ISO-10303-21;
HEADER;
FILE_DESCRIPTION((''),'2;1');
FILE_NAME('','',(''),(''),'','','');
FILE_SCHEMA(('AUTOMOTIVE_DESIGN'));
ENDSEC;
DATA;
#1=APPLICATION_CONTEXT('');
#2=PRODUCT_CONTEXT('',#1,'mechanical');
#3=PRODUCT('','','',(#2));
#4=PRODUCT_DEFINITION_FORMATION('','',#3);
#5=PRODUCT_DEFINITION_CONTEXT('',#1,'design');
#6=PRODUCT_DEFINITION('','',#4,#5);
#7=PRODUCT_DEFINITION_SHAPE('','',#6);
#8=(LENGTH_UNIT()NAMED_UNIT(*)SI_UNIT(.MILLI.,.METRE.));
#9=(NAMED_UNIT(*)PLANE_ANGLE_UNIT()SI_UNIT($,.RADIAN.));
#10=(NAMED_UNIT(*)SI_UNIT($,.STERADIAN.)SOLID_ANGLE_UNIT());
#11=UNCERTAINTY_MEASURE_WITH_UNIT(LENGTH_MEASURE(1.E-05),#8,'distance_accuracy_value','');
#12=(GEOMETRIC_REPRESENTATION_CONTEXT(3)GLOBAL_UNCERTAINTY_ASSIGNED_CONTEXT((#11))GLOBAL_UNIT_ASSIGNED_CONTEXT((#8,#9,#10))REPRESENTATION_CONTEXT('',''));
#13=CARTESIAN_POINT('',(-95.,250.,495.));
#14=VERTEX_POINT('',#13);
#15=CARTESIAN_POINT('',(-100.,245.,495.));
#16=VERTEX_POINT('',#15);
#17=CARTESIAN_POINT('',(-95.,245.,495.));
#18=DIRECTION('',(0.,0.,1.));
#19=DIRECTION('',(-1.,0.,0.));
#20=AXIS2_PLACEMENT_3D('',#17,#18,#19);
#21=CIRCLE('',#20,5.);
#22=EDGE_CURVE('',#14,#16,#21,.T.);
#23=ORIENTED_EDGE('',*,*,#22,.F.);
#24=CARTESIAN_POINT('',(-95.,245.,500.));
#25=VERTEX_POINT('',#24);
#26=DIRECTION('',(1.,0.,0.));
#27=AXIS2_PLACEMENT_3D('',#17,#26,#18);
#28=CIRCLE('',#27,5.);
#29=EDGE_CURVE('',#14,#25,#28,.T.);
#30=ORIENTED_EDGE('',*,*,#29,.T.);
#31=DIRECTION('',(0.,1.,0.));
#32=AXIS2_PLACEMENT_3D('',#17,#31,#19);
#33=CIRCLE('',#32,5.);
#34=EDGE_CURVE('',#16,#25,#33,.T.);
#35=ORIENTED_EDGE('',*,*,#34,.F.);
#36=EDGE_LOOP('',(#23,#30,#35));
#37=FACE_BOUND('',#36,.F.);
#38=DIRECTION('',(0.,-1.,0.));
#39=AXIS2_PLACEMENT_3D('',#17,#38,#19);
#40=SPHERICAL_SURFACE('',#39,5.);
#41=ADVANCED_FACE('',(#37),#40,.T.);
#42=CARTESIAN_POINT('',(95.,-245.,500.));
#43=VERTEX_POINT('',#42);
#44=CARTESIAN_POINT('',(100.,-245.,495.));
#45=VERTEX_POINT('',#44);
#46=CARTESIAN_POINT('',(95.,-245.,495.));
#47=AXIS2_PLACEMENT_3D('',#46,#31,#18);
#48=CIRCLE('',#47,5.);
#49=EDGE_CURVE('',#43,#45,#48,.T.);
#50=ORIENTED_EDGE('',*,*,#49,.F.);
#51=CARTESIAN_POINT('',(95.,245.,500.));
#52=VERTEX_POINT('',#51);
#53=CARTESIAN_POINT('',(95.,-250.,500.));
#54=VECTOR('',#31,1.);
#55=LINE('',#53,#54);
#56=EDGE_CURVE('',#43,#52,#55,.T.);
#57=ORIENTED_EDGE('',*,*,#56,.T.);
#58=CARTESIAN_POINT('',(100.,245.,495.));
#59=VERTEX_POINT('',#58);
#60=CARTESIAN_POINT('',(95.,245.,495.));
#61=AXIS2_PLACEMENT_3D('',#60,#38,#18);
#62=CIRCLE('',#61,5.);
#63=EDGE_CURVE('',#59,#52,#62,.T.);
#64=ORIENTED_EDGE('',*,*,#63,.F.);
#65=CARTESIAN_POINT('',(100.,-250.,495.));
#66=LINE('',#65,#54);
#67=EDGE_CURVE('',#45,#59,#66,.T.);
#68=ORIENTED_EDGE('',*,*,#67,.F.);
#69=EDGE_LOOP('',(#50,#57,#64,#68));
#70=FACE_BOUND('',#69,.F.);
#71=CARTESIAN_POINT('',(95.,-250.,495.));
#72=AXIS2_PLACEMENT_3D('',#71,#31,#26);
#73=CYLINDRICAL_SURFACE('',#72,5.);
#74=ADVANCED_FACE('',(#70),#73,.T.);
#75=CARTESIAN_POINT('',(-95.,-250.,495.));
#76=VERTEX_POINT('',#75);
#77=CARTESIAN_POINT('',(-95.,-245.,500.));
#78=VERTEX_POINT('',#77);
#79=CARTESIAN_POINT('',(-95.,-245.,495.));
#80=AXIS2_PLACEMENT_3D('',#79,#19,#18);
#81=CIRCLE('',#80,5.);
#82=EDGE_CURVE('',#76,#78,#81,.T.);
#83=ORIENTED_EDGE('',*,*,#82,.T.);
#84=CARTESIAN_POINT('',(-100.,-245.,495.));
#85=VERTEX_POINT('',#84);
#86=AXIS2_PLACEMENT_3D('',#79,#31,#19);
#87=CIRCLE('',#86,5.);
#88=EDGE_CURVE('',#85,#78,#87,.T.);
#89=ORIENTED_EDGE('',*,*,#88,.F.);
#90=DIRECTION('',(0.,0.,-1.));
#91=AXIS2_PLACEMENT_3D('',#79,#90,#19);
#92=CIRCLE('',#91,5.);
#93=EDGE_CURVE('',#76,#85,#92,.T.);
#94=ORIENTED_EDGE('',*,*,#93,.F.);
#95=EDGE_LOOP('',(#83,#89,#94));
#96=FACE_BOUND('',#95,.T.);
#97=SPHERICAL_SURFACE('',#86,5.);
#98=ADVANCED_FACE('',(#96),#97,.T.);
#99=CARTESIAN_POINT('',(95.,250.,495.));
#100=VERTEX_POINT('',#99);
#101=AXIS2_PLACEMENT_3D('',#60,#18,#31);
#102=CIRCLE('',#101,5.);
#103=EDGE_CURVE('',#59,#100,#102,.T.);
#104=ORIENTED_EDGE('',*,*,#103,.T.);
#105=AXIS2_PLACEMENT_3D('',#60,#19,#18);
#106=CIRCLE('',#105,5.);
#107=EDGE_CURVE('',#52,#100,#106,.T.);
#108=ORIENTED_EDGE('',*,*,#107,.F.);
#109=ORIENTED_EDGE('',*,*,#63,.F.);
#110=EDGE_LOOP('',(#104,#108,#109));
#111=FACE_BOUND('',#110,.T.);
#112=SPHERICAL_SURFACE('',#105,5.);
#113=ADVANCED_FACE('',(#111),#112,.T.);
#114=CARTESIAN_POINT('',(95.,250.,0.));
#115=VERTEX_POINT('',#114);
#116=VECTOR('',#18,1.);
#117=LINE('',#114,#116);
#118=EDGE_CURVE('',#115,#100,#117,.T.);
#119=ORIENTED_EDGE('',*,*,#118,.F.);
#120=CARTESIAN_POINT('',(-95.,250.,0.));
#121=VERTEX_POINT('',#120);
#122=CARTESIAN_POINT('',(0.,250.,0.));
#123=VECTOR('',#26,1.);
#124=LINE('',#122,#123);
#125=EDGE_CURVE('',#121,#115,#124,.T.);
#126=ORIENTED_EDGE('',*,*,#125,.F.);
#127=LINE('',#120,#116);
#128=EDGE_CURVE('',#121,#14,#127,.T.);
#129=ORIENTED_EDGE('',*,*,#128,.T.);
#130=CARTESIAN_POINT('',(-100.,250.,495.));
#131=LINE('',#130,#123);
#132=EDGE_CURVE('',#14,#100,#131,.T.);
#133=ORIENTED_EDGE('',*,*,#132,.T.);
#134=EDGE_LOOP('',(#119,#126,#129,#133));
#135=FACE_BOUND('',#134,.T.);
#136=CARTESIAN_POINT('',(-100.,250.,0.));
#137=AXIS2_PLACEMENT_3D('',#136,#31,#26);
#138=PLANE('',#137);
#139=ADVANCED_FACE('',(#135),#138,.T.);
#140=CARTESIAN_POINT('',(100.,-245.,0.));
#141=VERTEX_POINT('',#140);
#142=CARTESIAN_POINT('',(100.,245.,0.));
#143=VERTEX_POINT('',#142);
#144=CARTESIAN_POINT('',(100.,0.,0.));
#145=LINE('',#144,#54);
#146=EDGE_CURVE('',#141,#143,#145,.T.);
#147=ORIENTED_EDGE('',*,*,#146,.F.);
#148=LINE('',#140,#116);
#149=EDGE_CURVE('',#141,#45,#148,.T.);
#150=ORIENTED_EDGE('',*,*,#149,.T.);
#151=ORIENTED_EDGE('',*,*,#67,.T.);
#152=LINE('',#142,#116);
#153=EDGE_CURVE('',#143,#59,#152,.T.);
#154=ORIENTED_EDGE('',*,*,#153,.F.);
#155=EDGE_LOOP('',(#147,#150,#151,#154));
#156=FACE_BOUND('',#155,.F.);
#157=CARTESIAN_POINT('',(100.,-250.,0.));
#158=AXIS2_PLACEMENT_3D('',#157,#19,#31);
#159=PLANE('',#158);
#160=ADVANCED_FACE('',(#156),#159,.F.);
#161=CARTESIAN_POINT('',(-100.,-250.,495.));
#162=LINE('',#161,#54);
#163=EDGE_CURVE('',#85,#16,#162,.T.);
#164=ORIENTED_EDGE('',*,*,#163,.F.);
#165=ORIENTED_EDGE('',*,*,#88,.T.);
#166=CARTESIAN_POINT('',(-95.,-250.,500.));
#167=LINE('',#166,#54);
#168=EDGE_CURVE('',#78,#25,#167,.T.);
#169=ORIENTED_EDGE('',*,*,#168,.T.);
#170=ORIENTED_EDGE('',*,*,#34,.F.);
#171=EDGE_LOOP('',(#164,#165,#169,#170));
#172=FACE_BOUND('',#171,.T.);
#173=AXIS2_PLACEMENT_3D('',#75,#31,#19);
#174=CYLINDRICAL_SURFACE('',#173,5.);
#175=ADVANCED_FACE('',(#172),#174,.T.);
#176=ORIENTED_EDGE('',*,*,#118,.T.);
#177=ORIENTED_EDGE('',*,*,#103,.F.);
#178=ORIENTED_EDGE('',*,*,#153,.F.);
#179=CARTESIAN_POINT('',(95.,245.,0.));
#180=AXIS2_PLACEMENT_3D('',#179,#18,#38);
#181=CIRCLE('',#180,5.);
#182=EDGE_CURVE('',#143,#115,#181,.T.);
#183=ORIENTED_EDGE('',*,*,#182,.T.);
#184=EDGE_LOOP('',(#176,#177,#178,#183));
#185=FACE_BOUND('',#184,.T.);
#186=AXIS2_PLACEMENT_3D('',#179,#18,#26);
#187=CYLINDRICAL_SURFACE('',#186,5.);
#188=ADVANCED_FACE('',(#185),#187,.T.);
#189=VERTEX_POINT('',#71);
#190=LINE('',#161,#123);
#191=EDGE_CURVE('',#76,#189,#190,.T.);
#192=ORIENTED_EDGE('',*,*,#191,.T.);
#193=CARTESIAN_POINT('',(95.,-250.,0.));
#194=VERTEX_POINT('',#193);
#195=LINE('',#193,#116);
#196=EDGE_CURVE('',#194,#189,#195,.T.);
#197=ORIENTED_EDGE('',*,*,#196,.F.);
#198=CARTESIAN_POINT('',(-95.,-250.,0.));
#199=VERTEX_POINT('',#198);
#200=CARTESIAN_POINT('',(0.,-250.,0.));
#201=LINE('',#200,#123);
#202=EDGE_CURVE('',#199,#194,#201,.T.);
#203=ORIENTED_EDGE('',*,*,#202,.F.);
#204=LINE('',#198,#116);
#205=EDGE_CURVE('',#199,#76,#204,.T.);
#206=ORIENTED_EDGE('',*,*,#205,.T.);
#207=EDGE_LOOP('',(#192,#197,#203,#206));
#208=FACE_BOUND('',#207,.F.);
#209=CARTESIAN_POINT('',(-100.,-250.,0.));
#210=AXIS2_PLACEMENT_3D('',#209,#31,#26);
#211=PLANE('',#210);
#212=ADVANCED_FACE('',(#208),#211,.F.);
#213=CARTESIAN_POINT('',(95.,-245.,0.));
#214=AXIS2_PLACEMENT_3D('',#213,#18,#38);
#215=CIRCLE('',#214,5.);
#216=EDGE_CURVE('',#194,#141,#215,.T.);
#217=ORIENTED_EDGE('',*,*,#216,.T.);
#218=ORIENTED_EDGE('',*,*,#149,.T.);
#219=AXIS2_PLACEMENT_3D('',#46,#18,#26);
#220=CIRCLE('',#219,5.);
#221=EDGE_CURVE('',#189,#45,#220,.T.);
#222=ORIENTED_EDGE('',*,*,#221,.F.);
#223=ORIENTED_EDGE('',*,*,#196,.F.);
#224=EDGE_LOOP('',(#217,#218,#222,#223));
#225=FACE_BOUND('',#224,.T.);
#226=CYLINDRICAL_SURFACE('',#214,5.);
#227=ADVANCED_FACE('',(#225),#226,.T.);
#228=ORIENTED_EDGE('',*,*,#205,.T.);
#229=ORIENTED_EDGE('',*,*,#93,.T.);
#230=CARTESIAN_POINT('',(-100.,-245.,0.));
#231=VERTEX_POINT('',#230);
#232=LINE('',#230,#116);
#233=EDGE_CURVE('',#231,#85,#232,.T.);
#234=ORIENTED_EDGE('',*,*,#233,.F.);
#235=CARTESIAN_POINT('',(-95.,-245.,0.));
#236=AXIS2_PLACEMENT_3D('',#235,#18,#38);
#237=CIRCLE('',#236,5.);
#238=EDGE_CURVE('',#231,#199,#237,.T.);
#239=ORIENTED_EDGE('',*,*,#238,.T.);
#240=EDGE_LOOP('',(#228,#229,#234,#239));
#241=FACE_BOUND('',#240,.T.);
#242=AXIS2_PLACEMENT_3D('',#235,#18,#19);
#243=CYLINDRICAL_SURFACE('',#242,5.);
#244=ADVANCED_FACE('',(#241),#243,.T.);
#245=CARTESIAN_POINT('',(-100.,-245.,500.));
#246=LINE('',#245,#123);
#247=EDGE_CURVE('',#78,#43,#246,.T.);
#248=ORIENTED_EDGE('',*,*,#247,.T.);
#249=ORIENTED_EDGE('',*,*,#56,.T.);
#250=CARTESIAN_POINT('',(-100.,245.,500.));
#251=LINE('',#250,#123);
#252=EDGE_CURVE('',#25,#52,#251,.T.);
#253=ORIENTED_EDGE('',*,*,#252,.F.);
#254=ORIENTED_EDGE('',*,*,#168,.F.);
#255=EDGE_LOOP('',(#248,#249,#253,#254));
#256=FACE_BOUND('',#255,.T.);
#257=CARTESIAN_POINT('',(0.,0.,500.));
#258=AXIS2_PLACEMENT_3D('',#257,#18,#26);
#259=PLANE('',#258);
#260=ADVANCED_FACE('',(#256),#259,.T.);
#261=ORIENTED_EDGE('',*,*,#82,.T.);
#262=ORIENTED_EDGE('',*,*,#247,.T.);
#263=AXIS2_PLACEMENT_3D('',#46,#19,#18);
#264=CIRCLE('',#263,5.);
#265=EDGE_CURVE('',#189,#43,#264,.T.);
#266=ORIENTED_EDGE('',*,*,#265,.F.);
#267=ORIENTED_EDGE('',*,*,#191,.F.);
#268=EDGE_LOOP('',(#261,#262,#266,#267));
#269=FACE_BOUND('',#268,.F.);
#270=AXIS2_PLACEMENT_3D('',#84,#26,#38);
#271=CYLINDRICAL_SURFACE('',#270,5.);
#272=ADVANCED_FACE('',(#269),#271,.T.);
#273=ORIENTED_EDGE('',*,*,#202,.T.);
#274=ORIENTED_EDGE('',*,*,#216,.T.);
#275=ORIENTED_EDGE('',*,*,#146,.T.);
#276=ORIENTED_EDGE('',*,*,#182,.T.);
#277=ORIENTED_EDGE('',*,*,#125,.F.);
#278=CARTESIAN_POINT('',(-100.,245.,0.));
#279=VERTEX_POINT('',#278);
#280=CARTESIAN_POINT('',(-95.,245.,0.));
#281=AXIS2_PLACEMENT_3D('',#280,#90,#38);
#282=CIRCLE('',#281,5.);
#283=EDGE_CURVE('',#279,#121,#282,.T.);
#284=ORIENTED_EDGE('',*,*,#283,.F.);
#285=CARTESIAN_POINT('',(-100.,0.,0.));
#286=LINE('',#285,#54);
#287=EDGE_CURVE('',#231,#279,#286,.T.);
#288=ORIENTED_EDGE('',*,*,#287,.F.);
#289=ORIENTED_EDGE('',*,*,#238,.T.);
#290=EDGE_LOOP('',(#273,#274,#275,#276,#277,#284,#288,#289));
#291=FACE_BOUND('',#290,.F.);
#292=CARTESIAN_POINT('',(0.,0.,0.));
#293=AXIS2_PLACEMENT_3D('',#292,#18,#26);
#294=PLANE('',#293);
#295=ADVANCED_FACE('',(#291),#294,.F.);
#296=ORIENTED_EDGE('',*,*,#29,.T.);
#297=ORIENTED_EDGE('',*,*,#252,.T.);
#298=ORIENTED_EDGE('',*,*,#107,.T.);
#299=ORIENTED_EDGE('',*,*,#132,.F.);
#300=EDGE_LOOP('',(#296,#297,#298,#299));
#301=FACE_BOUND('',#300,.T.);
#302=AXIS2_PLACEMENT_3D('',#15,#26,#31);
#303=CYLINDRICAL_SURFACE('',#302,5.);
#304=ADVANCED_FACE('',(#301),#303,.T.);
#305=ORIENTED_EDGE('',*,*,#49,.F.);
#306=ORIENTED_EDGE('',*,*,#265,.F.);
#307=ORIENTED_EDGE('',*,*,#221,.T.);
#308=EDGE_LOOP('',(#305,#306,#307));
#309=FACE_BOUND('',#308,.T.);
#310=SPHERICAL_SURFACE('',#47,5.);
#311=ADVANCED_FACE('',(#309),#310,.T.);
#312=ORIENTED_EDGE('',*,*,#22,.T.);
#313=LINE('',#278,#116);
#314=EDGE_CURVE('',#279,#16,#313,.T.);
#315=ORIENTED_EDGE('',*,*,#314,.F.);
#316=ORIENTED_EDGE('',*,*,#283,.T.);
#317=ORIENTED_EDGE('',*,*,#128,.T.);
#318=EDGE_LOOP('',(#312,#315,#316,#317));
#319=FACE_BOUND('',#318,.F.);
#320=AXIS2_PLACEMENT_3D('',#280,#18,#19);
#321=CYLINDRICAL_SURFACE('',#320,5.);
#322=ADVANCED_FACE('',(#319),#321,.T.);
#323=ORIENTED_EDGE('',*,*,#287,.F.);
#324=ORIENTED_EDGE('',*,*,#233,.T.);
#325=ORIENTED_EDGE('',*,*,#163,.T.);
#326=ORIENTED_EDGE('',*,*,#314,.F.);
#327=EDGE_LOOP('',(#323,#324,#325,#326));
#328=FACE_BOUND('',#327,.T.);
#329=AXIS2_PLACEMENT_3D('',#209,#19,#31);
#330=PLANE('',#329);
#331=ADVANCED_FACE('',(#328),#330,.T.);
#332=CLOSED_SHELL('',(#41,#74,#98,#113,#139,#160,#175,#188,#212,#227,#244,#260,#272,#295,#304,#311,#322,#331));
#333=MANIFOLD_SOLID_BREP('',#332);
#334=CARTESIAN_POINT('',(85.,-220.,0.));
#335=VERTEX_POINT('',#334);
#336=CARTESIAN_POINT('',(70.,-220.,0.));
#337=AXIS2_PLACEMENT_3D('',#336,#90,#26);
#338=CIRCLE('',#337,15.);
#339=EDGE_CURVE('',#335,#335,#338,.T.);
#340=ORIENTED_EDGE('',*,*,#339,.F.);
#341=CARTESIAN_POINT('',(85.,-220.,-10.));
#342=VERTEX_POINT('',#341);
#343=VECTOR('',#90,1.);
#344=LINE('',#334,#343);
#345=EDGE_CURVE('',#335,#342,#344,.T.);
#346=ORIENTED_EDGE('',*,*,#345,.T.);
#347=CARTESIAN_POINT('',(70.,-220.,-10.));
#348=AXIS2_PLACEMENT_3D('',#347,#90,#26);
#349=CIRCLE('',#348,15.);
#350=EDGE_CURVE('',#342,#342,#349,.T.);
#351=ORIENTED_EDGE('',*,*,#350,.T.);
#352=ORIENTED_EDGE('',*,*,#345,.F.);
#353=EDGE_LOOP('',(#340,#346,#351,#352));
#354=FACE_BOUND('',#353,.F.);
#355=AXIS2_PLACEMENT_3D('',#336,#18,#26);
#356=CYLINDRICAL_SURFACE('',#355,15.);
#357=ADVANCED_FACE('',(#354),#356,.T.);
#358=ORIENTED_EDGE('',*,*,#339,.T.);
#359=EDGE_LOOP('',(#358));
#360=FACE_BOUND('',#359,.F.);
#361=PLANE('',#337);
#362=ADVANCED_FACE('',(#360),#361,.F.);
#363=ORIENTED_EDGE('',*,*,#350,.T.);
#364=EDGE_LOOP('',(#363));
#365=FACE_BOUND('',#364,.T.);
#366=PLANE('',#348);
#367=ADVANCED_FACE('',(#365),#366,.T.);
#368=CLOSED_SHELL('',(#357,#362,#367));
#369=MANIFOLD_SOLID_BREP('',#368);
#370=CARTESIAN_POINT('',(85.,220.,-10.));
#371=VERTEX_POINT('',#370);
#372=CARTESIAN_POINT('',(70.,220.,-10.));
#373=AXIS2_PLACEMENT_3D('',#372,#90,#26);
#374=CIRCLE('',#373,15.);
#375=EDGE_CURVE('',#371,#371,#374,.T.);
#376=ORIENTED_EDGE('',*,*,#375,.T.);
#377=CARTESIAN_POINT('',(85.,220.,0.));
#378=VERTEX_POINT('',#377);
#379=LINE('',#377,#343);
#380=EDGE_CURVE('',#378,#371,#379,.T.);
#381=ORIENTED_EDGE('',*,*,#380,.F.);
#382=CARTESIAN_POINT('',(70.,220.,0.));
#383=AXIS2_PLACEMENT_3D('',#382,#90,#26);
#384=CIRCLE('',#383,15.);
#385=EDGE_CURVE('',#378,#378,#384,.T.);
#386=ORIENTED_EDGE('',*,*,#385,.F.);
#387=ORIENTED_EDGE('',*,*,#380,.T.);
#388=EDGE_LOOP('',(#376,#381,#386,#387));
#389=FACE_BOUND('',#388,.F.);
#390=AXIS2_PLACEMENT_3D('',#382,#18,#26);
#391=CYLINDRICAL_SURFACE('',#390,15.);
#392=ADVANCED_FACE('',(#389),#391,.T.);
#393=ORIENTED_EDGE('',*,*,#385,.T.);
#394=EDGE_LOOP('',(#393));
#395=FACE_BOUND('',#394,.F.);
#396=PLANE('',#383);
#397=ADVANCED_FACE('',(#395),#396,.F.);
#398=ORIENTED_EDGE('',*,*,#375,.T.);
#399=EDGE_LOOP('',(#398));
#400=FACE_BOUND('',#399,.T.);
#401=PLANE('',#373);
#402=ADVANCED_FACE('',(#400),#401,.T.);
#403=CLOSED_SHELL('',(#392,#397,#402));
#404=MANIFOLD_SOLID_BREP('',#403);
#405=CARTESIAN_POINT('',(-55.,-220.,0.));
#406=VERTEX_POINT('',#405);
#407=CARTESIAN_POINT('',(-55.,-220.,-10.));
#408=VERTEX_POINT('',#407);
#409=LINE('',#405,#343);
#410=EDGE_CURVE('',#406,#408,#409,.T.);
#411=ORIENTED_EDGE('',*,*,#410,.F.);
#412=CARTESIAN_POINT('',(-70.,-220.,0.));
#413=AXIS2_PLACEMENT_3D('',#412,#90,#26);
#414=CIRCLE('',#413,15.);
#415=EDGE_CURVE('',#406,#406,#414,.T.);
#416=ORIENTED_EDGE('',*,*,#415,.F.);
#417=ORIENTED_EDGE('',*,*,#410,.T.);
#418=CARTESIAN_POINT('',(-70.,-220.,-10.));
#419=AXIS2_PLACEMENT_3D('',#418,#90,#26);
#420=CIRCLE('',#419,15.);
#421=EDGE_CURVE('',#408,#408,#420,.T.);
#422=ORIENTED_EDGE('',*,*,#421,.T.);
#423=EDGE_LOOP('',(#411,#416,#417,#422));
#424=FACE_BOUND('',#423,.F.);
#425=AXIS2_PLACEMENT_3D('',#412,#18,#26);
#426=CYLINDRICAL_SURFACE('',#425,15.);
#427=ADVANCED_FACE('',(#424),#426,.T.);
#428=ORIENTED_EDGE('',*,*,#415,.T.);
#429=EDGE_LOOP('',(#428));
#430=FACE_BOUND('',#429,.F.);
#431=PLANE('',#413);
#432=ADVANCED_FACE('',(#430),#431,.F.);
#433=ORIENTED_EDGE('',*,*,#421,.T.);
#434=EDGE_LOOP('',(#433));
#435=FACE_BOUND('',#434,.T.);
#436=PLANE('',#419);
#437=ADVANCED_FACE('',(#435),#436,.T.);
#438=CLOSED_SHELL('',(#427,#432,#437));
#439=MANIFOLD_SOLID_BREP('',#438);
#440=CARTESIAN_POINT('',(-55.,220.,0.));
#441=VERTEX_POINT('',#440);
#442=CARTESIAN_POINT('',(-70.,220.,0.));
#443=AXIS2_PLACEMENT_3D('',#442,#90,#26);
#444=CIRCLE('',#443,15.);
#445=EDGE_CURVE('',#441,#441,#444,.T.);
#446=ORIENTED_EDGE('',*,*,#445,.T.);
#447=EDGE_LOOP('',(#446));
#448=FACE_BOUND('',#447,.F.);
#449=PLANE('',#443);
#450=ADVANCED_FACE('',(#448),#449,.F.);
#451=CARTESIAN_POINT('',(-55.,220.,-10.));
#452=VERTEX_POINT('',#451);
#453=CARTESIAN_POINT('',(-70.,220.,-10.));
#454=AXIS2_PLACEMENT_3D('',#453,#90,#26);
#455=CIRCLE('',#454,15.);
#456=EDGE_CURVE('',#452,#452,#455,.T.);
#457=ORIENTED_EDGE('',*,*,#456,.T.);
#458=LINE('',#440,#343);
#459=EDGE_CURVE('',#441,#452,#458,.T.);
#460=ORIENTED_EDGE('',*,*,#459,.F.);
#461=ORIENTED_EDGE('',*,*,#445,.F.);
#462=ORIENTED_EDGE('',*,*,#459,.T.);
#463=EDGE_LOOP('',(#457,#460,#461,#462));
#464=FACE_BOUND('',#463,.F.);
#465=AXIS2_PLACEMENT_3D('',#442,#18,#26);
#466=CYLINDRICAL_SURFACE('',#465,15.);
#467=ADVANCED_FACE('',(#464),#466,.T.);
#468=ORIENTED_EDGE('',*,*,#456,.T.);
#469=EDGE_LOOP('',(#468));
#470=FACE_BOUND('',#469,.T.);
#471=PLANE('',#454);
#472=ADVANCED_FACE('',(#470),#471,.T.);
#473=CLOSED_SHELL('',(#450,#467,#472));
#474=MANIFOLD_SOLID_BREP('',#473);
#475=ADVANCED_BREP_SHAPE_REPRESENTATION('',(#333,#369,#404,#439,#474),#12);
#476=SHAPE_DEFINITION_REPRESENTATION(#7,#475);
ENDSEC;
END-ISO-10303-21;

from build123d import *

# Parameters (mm, degrees)
F0_W     = 200
F0_H     = 500
F1_DEPTH = 500
F2_R     = 15
F3_DEPTH = 10
F4_R     = 5


with BuildPart() as f1:
    # F0 (on Top) → F1 (new body)
    with BuildSketch(Plane.XY):
        Rectangle(F0_W, F0_H)
    extrude(amount=F1_DEPTH)

    # F4
    f4_edges = [f1.edges().sort_by_distance(p)[0] for p in [
        (-100, 0, 500),
        (-100, -250, 250),
        (-100, 250, 250),
        (0, 250, 500),
        (100, 0, 500),
        (0, -250, 500),
        (100, -250, 250),
        (100, 250, 250),
    ]]
    fillet(f4_edges, radius=F4_R)


with BuildPart() as f3:
    # F2 (on face) → F3 (new body)
    with BuildSketch(Plane(origin=(0, 0, 0), x_dir=(1, 0, 0), z_dir=(0, 0, -1))):
        with Locations((-70, 220)):
            Circle(F2_R)
        with Locations((70, 220)):
            Circle(F2_R)
        with Locations((-70, -220)):
            Circle(F2_R)
        with Locations((70, -220)):
            Circle(F2_R)
    extrude(amount=F3_DEPTH)


solid = Compound([f1.part, f3.part])
